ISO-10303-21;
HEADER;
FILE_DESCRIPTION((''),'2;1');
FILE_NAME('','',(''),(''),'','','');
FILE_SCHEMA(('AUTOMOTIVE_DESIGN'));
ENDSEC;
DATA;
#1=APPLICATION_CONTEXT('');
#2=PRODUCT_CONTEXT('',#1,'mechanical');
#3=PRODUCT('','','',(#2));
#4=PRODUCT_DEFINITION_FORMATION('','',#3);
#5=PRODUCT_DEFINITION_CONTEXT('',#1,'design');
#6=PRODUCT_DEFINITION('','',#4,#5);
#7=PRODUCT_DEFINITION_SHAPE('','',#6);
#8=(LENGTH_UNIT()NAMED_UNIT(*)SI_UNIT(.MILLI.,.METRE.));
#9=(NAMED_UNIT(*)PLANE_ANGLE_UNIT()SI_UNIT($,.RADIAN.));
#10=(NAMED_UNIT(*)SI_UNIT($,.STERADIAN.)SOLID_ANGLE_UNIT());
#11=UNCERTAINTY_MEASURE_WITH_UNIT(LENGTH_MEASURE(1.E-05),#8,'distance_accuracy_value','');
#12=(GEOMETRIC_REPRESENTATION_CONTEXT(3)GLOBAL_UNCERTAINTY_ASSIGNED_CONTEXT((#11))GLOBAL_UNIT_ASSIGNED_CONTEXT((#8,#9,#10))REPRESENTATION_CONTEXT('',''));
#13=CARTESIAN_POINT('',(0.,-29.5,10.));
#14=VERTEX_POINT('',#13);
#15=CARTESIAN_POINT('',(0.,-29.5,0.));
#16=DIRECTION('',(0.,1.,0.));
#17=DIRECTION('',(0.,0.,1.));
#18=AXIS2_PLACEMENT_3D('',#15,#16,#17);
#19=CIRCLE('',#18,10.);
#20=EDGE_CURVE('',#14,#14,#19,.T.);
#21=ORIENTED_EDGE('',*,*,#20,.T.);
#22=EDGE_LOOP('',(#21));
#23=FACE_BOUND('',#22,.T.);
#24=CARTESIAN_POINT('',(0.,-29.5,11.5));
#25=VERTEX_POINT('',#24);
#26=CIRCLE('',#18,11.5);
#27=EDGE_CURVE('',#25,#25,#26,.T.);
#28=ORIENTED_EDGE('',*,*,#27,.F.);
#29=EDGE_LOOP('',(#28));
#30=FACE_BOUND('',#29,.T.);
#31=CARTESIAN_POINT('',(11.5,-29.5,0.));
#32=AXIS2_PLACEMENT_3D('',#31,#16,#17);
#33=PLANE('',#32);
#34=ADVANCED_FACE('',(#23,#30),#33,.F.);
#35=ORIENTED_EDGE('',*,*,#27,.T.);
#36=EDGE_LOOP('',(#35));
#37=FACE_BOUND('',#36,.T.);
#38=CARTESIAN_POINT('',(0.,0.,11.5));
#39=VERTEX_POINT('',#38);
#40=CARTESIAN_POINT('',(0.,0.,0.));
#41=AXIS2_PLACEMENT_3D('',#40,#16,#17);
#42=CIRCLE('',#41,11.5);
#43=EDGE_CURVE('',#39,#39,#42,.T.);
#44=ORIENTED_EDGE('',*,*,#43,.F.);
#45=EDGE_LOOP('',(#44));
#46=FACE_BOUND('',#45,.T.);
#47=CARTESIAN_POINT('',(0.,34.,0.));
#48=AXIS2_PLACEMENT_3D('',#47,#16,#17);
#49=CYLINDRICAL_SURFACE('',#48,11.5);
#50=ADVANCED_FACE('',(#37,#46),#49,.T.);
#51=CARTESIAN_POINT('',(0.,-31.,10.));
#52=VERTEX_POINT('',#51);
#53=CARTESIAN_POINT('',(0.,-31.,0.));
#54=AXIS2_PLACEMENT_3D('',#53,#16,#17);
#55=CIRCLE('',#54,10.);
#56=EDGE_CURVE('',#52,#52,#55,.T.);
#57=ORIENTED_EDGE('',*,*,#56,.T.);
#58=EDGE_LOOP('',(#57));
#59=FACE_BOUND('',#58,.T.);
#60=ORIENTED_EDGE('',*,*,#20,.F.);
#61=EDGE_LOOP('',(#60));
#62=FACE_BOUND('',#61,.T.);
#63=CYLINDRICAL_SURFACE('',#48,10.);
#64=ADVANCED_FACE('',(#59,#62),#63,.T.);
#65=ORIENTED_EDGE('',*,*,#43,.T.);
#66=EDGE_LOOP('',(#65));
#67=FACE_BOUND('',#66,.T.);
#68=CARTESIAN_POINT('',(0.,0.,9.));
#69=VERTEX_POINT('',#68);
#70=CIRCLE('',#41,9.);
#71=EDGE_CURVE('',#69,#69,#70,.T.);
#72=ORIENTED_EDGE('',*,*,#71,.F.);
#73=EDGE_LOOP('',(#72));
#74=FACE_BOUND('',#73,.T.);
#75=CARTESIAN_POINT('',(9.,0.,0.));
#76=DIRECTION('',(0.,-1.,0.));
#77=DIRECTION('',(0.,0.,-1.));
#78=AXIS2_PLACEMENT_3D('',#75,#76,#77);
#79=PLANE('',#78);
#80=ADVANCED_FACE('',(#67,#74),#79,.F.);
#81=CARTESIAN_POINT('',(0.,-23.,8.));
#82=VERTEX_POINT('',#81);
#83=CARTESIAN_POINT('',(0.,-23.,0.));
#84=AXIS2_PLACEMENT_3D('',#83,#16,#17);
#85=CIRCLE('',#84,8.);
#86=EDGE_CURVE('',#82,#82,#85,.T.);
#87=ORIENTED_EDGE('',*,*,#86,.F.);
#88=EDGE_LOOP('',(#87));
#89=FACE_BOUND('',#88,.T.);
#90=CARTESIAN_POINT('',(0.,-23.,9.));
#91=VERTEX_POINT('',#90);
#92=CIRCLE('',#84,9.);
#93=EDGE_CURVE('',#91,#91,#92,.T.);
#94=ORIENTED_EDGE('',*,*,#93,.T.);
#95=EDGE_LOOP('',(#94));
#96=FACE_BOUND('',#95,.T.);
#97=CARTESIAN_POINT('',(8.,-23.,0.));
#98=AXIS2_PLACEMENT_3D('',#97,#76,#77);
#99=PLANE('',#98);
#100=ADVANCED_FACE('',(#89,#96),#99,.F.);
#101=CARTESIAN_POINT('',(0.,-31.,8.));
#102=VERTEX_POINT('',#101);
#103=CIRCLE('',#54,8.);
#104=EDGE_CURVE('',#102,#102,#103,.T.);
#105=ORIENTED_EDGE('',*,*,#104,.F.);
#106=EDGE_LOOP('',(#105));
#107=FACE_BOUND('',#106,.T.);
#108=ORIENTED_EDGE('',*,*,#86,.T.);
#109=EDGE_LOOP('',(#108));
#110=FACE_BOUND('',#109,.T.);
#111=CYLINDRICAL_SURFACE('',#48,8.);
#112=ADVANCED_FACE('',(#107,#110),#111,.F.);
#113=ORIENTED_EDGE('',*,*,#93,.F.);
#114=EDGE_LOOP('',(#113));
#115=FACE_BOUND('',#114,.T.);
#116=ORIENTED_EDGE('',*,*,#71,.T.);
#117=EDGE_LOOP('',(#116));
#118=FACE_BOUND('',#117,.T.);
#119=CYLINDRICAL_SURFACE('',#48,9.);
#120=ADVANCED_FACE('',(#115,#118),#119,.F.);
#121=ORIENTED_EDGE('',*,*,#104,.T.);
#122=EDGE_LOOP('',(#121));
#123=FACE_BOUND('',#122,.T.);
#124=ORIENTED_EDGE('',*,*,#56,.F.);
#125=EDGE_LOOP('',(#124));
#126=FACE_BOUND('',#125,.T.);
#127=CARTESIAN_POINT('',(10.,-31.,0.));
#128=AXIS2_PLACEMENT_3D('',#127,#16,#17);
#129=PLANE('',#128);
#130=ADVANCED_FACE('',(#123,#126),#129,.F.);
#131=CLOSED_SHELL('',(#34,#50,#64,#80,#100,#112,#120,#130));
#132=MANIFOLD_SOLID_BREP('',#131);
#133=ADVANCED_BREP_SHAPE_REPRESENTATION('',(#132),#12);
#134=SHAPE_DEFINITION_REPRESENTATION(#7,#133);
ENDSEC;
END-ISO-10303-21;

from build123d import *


with BuildPart() as part:
    # Sketch2 → Revolve1 (revolve)
    with BuildSketch(Plane.XY, mode=Mode.PRIVATE) as revolve1_sk:
        Polygon((9, -23), (9, 0), (11.5, 0), (11.5, -29.5), (10, -29.5), (10, -31), (8, -31), (8, -23), align=None)
    revolve(revolve1_sk.sketch.rotate(Axis((0, 34, 0), (0, -1, 0)), 90), axis=Axis((0, 34, 0), (0, -1, 0)))


solid = part.part
